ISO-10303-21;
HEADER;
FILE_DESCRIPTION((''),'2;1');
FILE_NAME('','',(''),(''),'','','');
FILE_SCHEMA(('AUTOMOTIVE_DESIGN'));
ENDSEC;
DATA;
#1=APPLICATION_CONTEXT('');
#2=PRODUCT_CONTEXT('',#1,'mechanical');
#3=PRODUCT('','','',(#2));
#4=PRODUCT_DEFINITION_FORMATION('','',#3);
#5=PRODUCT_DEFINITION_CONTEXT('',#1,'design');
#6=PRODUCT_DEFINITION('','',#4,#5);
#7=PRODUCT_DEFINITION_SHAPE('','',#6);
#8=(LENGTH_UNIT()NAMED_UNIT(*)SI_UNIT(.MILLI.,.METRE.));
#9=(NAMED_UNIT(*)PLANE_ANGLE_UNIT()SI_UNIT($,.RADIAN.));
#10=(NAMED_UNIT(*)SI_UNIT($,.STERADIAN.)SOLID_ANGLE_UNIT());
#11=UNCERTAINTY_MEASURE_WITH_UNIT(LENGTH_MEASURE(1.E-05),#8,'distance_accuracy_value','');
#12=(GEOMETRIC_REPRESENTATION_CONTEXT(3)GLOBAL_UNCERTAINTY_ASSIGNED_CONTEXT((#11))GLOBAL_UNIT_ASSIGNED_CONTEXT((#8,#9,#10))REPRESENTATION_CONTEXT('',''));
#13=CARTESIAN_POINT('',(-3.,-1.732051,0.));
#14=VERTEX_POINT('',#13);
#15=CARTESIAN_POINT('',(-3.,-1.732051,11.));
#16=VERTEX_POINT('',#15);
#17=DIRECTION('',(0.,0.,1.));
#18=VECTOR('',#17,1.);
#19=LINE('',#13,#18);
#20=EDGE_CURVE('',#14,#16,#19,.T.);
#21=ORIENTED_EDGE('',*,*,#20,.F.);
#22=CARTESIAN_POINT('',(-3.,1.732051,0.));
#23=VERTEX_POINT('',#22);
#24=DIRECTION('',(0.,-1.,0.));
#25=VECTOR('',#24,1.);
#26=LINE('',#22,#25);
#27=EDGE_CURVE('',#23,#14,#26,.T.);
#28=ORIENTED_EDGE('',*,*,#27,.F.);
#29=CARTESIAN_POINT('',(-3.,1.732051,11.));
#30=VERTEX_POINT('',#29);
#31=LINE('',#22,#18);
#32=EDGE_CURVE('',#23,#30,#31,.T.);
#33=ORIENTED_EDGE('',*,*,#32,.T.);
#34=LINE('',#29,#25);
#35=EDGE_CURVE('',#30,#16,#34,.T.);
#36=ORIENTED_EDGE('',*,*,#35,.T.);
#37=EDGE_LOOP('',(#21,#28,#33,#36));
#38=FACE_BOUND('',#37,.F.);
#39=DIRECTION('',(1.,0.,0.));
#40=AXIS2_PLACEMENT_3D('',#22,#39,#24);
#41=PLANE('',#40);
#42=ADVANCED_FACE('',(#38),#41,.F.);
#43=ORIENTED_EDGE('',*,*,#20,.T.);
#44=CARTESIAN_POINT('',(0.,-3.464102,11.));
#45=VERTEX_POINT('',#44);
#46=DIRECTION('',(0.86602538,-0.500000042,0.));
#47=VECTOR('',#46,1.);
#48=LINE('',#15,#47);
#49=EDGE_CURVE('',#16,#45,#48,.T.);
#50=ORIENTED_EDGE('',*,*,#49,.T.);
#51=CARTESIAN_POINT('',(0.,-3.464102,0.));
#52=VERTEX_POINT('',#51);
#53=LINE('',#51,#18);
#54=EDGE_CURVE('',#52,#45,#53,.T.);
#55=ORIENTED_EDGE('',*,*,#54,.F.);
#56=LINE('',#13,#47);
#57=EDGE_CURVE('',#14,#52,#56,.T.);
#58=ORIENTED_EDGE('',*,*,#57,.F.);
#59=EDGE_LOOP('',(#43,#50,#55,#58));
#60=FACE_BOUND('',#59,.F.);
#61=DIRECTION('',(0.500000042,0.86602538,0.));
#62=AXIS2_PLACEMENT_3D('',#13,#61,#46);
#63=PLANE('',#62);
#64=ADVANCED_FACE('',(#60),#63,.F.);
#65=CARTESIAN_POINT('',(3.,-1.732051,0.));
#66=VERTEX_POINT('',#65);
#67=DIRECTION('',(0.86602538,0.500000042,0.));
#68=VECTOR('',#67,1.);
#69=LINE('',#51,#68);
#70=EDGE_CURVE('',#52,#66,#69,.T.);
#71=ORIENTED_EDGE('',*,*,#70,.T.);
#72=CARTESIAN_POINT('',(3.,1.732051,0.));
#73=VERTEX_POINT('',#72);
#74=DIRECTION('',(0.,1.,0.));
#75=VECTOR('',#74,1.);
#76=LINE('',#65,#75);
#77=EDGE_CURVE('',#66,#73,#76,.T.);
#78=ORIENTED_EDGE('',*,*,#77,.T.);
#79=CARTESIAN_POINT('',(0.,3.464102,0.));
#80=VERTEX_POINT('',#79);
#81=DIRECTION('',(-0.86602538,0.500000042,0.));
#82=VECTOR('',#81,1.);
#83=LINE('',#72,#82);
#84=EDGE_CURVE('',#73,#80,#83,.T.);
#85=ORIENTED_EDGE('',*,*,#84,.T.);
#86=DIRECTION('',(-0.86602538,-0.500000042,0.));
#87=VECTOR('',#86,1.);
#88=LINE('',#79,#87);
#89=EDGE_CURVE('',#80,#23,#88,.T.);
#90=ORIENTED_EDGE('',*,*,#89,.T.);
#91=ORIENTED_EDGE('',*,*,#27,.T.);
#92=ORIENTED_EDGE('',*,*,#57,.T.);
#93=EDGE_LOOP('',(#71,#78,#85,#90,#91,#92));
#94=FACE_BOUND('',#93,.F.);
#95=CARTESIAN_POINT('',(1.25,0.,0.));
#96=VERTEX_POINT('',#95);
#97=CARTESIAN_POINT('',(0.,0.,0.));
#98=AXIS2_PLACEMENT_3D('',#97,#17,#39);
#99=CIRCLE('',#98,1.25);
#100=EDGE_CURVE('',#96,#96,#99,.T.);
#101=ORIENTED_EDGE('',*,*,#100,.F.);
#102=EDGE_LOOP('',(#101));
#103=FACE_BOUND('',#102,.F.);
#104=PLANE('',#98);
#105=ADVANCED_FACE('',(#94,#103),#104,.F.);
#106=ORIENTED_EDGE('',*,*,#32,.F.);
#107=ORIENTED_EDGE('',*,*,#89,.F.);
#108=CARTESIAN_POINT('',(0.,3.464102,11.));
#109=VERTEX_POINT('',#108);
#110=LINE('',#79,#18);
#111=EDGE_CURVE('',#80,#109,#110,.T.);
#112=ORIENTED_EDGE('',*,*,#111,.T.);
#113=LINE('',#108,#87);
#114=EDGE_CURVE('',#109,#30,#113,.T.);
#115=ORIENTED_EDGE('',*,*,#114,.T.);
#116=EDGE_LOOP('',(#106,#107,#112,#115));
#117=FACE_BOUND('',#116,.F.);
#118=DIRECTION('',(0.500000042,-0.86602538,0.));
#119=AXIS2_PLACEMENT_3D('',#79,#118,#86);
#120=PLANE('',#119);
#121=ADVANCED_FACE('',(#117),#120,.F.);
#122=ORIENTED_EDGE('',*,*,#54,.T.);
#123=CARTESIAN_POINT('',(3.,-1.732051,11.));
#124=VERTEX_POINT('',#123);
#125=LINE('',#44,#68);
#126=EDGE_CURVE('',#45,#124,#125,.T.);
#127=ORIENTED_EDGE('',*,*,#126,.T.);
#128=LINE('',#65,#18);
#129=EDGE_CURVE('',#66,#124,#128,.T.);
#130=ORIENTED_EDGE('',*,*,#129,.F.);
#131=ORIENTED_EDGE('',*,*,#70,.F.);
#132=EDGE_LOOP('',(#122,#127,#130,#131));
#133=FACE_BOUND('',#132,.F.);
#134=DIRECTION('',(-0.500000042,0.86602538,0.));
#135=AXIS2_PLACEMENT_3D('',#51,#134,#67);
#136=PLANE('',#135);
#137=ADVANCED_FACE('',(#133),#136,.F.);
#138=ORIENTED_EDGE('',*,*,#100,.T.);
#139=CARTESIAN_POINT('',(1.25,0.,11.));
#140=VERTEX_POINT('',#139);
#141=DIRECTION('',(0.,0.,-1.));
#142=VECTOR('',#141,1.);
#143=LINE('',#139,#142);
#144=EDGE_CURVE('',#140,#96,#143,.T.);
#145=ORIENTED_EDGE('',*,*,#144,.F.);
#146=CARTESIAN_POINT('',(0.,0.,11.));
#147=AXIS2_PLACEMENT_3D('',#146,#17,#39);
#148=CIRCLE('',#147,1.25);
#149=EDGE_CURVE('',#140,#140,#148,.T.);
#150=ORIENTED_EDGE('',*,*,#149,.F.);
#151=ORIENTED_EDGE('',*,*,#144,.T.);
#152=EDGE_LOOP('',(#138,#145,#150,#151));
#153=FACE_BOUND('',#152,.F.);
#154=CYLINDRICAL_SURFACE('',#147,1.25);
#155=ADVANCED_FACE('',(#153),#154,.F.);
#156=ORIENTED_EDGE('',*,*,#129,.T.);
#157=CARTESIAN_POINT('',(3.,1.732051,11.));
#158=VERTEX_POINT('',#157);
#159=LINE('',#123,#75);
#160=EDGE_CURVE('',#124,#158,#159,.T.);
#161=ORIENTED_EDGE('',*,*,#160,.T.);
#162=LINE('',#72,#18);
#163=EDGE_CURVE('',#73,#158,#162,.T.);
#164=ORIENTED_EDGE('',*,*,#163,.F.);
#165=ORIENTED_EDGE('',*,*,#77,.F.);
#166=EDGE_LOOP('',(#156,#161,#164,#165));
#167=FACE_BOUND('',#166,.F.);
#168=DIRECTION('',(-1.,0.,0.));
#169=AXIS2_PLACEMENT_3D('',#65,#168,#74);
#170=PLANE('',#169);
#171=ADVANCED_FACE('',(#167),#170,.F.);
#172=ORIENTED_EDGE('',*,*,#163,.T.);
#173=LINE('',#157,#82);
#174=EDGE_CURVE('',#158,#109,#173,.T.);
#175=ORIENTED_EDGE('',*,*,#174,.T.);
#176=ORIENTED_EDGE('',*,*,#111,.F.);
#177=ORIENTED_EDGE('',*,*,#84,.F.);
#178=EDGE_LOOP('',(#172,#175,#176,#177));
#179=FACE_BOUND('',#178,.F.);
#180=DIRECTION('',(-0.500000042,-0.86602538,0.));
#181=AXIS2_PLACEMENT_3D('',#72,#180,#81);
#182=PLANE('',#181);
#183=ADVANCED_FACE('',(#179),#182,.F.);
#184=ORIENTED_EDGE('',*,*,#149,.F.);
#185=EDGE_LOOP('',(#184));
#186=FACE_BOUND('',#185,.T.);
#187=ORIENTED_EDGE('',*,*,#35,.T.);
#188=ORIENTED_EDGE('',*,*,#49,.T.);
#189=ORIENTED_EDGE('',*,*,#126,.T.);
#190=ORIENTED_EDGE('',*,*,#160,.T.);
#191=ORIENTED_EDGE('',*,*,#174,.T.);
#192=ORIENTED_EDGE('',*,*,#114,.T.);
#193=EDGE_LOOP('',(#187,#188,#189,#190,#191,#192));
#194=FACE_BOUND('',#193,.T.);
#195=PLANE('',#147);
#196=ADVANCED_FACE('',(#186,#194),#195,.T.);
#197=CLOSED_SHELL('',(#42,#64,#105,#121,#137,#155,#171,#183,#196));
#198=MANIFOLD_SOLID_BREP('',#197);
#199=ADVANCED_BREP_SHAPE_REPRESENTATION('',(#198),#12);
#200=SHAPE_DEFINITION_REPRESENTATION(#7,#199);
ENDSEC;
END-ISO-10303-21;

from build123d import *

# Parameters (mm, degrees)
PAD_DEPTH   = 11
SKETCH001_R = 1.25
HOLE_DEPTH  = 11.001


with BuildPart() as part:
    # Sketch → Pad (new body)
    with BuildSketch(Plane.XY):
        Polygon((-3, -1.732051), (0, -3.464102), (3, -1.732051), (3, 1.732051), (0, 3.464102), (-3, 1.732051), align=None)
    extrude(amount=PAD_DEPTH)

    # Sketch001 (on Face8 of Pad) → Hole (cut, through all)
    with BuildSketch(Plane.XY.offset(11)):
        Circle(SKETCH001_R)
    extrude(amount=-HOLE_DEPTH, mode=Mode.SUBTRACT)


solid = part.part
